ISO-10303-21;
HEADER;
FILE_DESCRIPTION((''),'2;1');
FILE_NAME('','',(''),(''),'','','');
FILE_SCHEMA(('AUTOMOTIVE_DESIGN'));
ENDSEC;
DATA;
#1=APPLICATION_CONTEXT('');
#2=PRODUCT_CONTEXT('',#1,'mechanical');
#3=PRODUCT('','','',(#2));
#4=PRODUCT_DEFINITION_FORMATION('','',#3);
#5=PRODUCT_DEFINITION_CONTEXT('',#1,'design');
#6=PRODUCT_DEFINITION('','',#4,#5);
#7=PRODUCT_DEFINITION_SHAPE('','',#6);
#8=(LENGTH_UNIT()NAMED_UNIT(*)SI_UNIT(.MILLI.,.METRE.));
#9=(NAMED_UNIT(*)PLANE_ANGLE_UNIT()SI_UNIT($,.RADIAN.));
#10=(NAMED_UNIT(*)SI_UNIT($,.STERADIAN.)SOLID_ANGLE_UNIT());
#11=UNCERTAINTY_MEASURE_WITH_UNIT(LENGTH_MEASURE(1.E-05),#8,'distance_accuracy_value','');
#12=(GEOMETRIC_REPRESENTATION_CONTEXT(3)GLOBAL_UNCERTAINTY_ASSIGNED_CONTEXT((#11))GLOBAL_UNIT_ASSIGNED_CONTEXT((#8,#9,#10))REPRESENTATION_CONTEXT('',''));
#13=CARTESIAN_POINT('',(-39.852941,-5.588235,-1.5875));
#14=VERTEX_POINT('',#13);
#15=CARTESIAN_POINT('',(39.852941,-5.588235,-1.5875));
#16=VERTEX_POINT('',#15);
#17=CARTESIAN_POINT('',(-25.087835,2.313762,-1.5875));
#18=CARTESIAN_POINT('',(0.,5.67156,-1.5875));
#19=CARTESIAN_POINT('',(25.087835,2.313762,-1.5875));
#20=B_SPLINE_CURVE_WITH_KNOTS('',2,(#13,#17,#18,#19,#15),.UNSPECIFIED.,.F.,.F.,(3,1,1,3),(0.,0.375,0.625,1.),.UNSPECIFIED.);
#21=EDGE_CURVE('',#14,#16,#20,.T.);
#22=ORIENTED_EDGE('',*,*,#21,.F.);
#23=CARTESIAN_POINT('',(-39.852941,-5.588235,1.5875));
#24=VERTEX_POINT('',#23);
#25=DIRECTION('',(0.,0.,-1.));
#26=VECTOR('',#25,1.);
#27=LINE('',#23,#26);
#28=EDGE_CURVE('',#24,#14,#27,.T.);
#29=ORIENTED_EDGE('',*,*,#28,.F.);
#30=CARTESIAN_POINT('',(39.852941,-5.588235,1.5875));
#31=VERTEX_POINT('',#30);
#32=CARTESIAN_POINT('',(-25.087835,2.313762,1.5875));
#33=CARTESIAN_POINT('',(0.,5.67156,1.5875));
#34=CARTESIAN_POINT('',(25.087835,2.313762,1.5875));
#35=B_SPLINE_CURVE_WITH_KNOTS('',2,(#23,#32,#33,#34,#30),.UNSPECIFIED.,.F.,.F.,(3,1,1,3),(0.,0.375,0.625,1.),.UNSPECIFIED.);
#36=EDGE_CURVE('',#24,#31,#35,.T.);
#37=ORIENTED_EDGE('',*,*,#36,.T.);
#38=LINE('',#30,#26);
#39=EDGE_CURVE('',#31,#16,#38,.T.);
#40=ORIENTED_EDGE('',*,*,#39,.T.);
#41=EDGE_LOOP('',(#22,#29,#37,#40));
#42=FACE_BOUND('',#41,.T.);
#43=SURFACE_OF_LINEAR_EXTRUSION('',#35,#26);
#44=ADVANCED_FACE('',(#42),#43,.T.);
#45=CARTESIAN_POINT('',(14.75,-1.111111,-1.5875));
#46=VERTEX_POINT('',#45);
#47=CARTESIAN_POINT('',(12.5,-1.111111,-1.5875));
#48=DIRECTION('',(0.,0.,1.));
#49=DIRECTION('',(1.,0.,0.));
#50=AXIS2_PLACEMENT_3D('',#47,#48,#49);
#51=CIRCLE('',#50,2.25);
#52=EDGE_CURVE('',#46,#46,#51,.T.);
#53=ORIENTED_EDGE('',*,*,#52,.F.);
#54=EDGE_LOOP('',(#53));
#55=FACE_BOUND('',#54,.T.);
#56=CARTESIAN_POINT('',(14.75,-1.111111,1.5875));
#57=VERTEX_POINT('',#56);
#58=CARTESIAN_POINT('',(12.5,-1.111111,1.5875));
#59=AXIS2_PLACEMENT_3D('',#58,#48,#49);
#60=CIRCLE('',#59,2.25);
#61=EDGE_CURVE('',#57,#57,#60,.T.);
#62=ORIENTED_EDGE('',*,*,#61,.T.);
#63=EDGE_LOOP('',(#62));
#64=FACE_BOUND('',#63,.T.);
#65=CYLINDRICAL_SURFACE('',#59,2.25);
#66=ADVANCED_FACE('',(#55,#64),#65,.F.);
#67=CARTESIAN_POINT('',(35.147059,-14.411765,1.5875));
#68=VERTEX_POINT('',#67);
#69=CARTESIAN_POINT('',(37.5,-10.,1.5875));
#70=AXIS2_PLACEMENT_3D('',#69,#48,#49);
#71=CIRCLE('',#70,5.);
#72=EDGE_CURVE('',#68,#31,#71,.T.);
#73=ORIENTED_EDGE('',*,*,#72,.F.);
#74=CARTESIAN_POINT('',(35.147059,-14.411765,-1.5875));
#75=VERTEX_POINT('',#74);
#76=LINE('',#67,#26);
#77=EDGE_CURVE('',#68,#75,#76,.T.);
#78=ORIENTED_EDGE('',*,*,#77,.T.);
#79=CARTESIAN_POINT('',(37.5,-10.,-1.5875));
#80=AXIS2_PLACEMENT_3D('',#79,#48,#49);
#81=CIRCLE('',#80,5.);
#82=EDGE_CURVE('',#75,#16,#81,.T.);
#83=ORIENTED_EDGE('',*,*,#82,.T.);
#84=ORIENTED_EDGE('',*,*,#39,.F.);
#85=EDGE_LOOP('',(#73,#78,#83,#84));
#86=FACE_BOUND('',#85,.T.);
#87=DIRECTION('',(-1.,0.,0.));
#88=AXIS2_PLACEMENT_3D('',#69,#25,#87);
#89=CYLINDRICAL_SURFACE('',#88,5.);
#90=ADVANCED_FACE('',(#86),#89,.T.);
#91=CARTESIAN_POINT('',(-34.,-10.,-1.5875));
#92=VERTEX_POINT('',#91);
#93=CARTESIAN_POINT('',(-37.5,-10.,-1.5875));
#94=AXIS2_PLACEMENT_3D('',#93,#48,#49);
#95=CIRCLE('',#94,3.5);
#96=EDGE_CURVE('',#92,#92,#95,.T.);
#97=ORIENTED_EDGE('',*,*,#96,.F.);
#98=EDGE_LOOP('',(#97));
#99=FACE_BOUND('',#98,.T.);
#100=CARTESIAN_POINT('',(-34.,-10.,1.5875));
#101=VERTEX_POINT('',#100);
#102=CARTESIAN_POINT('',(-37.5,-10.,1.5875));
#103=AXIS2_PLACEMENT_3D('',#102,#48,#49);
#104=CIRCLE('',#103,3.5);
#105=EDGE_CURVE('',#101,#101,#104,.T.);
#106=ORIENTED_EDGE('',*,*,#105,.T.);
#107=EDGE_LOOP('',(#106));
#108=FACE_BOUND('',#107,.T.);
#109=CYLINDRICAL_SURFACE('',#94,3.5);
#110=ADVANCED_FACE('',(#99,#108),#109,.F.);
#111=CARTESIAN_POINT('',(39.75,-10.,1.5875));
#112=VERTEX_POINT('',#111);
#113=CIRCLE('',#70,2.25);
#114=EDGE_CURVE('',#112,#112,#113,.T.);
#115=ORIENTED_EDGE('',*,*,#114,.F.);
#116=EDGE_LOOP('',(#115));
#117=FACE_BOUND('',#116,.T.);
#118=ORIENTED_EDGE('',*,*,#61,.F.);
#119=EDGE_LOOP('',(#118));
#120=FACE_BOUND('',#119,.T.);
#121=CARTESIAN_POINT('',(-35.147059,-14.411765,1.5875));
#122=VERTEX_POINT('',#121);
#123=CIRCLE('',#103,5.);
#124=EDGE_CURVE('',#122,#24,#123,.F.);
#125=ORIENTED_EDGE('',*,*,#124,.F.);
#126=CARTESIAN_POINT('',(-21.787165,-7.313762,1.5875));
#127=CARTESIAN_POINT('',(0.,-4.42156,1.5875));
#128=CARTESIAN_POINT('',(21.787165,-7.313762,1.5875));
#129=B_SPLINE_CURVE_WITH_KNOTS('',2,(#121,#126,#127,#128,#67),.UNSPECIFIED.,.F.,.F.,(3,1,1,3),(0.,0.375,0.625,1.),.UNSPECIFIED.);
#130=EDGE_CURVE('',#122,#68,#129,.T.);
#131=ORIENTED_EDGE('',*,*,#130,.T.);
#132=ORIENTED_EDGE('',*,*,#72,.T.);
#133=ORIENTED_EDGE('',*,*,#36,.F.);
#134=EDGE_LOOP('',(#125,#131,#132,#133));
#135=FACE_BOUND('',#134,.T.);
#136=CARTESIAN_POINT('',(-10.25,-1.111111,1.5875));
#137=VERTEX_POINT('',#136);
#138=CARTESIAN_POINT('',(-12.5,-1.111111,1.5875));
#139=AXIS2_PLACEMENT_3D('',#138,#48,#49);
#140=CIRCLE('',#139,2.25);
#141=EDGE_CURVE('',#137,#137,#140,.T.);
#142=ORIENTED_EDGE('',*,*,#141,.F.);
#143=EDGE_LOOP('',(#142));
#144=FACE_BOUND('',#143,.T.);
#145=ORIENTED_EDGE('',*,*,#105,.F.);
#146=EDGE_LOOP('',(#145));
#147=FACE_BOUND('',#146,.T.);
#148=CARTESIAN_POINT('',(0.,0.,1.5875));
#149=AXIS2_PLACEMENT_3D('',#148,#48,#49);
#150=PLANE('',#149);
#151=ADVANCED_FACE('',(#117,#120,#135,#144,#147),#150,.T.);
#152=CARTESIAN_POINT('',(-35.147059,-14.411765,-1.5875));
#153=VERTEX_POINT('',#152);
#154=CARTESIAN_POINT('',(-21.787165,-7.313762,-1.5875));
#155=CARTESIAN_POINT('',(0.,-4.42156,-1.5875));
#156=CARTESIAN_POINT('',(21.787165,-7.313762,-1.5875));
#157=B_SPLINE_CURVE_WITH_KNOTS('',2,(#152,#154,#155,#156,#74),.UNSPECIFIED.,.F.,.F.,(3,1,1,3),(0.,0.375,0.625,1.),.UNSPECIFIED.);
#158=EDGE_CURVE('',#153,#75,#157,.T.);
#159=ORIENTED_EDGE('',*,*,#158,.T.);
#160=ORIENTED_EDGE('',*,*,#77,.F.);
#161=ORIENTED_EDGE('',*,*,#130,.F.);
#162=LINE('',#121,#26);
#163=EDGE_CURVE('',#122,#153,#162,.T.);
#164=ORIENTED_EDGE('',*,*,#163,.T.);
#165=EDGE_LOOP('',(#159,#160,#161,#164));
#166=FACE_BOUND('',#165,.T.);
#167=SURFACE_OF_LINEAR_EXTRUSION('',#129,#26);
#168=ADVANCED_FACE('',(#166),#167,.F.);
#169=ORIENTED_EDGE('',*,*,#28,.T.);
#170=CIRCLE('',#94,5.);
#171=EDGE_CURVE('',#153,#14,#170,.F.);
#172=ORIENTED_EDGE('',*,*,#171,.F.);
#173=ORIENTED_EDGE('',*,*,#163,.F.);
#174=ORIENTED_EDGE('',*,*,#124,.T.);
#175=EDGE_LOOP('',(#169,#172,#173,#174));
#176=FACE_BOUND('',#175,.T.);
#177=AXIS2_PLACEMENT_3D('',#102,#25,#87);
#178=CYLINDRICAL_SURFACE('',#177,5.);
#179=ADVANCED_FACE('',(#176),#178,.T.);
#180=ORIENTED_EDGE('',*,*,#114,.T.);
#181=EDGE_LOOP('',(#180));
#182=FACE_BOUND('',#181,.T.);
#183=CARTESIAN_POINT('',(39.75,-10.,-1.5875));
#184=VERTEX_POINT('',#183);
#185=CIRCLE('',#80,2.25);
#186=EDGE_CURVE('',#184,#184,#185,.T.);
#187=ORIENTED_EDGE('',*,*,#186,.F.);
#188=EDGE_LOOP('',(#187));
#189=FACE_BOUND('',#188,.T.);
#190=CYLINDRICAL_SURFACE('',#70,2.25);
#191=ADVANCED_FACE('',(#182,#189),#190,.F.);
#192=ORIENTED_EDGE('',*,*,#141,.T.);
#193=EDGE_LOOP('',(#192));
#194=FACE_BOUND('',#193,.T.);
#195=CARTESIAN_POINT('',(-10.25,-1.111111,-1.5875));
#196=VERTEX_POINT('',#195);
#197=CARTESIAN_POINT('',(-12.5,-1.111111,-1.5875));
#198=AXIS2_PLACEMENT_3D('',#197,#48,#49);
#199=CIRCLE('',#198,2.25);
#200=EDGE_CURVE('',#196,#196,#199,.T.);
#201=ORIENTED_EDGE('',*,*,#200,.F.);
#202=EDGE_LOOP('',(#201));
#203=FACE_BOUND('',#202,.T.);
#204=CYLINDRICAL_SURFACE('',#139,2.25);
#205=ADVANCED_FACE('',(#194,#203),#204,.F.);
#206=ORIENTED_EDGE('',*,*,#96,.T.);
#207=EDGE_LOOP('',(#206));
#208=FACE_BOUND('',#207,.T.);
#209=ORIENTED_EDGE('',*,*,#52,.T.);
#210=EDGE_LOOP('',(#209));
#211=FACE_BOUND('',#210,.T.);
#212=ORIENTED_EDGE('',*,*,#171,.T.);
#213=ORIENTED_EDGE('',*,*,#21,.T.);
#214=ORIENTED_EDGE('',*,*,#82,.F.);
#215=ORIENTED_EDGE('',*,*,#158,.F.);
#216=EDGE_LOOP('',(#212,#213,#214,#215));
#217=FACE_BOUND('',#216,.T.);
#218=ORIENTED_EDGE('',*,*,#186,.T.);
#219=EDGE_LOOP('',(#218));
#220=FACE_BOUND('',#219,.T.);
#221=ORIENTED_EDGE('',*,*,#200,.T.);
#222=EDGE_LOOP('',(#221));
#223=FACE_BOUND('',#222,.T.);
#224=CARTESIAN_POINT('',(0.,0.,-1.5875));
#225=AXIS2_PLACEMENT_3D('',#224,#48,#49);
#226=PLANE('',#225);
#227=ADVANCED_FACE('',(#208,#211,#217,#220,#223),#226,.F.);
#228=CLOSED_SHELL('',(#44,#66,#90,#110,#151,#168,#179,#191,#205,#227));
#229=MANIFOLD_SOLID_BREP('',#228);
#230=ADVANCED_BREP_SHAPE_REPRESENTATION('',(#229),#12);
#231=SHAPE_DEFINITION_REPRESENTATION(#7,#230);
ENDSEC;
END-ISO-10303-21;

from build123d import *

# Parameters (mm, degrees)
BOSS_EXTRUDE1_DEPTH  = 1.5875
M4_CLEARANCE_HOLE1_D = 4.5
SKETCH5_R            = 3.5
CUT_EXTRUDE1_DEPTH   = 4.1750001


with BuildPart() as part:
    # Sketch1 → Boss-Extrude1 (new body, symmetric)
    with BuildSketch(Plane.XY):
        with BuildLine():
            ThreePointArc((-35.147058824, -14.411764706), (-41.911764706, -12.352941176), (-39.852941176, -5.588235294))
            add(Edge.make_bspline(
                [(-39.852941176, -5.588235294), (-25.087835375, 2.313761515), (0, 5.671559621), (25.087835375, 2.313761515), (39.852941176, -5.588235294)],
                knots=[0, 0, 0, 0.375, 0.625, 1, 1, 1], degree=2))
            ThreePointArc((39.852941176, -5.588235294), (41.911764706, -12.352941176), (35.147058824, -14.411764706))
            add(Edge.make_bspline(
                [(-35.147058824, -14.411764706), (-21.787164625, -7.313761515), (0, -4.421559621), (21.787164625, -7.313761515), (35.147058824, -14.411764706)],
                knots=[0, 0, 0, 0.375, 0.625, 1, 1, 1], degree=2))
        make_face()
    extrude(amount=BOSS_EXTRUDE1_DEPTH, both=True)

    # M4 Clearance Hole1 (through all)
    with Locations(Plane.XY.offset(1.5875)):
        with Locations((37.5, -10), (-12.5, -1.111111111), (12.5, -1.111111111)):
            Hole(M4_CLEARANCE_HOLE1_D / 2)

    # Sketch5 → Cut-Extrude1 (cut, through all)
    with BuildSketch(Plane.XY.offset(1.5875)):
        with Locations((-37.5, -10)):
            Circle(SKETCH5_R)
    extrude(amount=-CUT_EXTRUDE1_DEPTH, mode=Mode.SUBTRACT)


solid = part.part
